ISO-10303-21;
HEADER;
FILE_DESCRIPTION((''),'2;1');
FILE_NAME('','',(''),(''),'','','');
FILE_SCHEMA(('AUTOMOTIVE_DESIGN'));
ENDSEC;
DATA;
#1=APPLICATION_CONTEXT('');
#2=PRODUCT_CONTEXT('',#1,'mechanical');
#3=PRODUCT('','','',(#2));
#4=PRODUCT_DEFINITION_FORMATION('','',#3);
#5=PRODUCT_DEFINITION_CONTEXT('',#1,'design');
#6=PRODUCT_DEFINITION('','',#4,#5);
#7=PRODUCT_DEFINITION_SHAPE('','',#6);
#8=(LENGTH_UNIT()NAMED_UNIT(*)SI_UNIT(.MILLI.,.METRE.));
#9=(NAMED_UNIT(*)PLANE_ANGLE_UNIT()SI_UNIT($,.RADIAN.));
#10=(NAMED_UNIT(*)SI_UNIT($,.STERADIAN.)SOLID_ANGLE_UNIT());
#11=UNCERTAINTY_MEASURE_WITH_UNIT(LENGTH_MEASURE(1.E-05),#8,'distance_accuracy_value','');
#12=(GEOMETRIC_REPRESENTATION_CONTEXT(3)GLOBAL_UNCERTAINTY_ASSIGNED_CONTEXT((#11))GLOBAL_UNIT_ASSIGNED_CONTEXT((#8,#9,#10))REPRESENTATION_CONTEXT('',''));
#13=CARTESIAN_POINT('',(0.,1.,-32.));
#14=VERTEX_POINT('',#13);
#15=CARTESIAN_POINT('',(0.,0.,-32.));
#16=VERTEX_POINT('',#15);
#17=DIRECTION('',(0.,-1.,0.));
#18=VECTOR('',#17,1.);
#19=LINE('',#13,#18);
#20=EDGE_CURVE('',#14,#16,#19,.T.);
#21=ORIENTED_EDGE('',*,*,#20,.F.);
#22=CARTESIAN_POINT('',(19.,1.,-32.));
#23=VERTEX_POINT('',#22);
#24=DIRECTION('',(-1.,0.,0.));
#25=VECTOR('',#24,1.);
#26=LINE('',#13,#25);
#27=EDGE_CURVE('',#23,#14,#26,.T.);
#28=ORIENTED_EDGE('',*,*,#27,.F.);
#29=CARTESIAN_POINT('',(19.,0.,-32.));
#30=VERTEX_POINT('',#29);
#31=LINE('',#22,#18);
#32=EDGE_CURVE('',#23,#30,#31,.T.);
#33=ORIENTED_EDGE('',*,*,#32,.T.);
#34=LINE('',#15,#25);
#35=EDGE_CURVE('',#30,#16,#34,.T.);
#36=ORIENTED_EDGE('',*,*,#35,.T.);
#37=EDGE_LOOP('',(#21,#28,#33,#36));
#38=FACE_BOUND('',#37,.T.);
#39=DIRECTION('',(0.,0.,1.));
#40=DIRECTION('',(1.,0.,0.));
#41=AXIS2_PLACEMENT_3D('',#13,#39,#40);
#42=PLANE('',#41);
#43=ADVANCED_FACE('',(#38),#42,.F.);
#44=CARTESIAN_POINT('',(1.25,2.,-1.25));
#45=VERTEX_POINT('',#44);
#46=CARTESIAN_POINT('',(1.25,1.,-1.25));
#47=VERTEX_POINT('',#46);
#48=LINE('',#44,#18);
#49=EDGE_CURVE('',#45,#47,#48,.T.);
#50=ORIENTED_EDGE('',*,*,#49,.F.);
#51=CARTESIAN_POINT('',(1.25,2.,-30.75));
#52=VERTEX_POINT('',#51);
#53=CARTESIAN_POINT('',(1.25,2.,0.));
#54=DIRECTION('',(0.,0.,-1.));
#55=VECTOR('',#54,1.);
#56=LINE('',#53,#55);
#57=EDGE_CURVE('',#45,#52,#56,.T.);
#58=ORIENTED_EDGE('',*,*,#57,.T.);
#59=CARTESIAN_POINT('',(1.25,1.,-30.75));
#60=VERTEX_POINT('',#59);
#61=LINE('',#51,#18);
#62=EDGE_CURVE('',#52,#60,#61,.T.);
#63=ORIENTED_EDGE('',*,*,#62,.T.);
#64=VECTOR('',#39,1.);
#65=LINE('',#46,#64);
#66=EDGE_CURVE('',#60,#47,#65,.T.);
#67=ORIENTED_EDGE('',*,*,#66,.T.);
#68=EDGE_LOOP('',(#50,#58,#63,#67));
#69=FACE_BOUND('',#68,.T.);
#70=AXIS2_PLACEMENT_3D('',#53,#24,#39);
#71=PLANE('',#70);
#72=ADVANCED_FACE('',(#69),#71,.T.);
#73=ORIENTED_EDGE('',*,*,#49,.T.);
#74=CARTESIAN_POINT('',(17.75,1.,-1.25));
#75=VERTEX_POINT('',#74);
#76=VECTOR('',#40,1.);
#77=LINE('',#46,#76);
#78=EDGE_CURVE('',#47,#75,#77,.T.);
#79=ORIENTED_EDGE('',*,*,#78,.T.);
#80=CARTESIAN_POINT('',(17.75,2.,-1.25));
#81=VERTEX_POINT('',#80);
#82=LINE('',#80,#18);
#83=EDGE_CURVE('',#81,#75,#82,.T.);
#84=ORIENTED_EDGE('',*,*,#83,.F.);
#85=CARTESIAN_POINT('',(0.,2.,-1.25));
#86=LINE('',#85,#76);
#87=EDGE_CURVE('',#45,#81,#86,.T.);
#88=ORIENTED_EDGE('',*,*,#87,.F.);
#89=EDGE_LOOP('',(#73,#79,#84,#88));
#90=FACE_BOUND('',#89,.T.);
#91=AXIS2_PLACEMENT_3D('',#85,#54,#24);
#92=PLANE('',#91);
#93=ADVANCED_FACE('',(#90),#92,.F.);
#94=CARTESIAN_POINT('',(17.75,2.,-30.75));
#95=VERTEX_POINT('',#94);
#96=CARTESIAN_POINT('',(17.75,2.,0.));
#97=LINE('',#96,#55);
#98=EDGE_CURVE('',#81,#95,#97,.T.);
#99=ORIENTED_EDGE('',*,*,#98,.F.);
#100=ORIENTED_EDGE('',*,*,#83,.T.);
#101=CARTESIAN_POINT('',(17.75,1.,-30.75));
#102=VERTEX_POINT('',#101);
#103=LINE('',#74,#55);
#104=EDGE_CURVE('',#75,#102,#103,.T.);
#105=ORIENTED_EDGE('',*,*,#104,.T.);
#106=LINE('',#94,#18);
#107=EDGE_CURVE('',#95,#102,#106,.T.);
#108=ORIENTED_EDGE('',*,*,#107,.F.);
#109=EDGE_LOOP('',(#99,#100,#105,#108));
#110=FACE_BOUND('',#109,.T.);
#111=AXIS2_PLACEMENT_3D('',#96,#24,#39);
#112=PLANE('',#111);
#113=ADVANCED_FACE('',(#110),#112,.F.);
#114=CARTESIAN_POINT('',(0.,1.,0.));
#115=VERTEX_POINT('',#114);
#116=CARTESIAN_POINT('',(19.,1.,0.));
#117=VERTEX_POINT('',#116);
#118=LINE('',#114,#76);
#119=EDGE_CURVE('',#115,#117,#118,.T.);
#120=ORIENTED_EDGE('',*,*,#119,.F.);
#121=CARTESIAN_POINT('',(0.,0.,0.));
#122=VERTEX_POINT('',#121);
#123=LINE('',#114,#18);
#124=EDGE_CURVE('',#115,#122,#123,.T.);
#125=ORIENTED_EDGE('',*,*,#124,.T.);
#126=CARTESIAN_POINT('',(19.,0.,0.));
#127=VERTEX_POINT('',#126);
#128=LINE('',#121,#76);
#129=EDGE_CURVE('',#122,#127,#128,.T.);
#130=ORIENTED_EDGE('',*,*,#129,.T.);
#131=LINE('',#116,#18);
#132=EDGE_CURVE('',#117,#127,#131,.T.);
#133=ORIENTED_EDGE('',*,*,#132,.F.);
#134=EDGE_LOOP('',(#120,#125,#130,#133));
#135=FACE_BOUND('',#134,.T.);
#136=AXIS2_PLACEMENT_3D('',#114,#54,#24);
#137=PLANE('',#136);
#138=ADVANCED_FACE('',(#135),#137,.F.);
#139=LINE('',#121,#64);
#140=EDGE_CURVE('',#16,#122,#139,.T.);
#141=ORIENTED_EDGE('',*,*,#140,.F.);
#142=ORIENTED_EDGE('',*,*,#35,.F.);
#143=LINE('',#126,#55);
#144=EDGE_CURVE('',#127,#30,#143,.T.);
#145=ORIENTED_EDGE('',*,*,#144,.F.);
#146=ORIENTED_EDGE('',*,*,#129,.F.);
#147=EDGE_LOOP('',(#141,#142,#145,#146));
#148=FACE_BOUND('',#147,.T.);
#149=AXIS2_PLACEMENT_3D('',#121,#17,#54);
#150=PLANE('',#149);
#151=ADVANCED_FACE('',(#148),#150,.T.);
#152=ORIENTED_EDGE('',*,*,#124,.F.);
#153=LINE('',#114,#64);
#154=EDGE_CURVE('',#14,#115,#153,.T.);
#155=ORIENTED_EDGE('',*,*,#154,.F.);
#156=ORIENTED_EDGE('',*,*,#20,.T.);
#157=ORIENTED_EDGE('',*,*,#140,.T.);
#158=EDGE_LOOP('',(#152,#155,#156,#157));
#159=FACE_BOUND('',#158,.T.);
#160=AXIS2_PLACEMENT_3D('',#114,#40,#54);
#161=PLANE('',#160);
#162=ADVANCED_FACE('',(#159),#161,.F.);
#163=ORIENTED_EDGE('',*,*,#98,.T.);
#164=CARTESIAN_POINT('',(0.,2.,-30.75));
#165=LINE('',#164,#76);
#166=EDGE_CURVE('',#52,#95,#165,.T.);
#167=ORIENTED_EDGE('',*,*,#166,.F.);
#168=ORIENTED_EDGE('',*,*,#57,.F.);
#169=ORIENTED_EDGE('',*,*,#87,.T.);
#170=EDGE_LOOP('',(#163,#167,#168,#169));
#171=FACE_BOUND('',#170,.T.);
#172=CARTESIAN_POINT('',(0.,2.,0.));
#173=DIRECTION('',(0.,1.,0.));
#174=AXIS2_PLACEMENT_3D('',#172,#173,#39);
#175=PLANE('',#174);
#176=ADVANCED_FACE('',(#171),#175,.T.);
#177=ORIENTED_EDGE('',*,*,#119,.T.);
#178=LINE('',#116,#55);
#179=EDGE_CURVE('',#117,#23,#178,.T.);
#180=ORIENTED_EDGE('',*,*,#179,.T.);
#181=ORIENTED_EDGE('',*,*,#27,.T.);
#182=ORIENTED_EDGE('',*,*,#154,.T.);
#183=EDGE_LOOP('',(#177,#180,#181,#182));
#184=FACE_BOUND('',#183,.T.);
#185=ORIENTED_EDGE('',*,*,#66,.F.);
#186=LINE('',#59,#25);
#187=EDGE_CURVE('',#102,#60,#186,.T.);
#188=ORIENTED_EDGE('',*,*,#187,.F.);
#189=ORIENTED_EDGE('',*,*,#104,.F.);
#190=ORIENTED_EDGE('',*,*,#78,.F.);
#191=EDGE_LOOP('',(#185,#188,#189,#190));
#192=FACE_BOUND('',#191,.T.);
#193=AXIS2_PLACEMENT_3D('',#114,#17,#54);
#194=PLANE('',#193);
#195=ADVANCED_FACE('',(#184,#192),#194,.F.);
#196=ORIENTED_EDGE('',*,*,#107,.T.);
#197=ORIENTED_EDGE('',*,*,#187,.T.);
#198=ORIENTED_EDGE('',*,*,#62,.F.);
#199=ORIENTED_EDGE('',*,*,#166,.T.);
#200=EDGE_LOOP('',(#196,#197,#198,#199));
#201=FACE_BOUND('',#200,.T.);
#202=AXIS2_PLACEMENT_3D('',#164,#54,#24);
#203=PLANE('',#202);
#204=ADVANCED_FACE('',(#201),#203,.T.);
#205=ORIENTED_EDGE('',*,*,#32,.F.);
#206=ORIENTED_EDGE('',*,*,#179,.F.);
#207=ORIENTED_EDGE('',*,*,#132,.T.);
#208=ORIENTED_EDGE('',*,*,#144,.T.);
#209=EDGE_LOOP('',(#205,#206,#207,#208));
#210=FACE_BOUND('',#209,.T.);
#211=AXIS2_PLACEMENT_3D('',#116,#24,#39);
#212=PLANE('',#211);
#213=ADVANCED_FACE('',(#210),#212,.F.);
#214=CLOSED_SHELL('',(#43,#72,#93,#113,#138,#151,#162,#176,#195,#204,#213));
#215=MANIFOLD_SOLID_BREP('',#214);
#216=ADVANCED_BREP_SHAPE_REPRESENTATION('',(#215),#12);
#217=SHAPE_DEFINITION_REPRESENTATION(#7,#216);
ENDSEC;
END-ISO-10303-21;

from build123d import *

# Parameters (mm, degrees)
CROQUIS1_W              = 19
CROQUIS1_H              = 32
CROQUIS1_W_2            = 16.5
CROQUIS1_H_2            = 29.5
SALIENTE_EXTRUIR1_DEPTH = 1
CROQUIS1_2_W            = 16.5
CROQUIS1_2_H            = 29.5
SALIENTE_EXTRUIR2_DEPTH = 2


with BuildPart() as part:
    # Croquis1 → Saliente-Extruir1 (new body)
    with BuildSketch(Plane(origin=(0, 0, 0), x_dir=(1, 0, 0), z_dir=(0, 1, 0))):
        with Locations((9.5, 16)):
            Rectangle(CROQUIS1_W, CROQUIS1_H)
        with Locations((9.5, 16)):
            Rectangle(CROQUIS1_W_2, CROQUIS1_H_2, mode=Mode.SUBTRACT)
    extrude(amount=SALIENTE_EXTRUIR1_DEPTH)

    # Croquis1<2> → Saliente-Extruir2 (add)
    with BuildSketch(Plane(origin=(0, 0, 0), x_dir=(1, 0, 0), z_dir=(0, 1, 0))):
        with Locations((9.5, 16)):
            Rectangle(CROQUIS1_2_W, CROQUIS1_2_H)
    extrude(amount=SALIENTE_EXTRUIR2_DEPTH)


solid = part.part
